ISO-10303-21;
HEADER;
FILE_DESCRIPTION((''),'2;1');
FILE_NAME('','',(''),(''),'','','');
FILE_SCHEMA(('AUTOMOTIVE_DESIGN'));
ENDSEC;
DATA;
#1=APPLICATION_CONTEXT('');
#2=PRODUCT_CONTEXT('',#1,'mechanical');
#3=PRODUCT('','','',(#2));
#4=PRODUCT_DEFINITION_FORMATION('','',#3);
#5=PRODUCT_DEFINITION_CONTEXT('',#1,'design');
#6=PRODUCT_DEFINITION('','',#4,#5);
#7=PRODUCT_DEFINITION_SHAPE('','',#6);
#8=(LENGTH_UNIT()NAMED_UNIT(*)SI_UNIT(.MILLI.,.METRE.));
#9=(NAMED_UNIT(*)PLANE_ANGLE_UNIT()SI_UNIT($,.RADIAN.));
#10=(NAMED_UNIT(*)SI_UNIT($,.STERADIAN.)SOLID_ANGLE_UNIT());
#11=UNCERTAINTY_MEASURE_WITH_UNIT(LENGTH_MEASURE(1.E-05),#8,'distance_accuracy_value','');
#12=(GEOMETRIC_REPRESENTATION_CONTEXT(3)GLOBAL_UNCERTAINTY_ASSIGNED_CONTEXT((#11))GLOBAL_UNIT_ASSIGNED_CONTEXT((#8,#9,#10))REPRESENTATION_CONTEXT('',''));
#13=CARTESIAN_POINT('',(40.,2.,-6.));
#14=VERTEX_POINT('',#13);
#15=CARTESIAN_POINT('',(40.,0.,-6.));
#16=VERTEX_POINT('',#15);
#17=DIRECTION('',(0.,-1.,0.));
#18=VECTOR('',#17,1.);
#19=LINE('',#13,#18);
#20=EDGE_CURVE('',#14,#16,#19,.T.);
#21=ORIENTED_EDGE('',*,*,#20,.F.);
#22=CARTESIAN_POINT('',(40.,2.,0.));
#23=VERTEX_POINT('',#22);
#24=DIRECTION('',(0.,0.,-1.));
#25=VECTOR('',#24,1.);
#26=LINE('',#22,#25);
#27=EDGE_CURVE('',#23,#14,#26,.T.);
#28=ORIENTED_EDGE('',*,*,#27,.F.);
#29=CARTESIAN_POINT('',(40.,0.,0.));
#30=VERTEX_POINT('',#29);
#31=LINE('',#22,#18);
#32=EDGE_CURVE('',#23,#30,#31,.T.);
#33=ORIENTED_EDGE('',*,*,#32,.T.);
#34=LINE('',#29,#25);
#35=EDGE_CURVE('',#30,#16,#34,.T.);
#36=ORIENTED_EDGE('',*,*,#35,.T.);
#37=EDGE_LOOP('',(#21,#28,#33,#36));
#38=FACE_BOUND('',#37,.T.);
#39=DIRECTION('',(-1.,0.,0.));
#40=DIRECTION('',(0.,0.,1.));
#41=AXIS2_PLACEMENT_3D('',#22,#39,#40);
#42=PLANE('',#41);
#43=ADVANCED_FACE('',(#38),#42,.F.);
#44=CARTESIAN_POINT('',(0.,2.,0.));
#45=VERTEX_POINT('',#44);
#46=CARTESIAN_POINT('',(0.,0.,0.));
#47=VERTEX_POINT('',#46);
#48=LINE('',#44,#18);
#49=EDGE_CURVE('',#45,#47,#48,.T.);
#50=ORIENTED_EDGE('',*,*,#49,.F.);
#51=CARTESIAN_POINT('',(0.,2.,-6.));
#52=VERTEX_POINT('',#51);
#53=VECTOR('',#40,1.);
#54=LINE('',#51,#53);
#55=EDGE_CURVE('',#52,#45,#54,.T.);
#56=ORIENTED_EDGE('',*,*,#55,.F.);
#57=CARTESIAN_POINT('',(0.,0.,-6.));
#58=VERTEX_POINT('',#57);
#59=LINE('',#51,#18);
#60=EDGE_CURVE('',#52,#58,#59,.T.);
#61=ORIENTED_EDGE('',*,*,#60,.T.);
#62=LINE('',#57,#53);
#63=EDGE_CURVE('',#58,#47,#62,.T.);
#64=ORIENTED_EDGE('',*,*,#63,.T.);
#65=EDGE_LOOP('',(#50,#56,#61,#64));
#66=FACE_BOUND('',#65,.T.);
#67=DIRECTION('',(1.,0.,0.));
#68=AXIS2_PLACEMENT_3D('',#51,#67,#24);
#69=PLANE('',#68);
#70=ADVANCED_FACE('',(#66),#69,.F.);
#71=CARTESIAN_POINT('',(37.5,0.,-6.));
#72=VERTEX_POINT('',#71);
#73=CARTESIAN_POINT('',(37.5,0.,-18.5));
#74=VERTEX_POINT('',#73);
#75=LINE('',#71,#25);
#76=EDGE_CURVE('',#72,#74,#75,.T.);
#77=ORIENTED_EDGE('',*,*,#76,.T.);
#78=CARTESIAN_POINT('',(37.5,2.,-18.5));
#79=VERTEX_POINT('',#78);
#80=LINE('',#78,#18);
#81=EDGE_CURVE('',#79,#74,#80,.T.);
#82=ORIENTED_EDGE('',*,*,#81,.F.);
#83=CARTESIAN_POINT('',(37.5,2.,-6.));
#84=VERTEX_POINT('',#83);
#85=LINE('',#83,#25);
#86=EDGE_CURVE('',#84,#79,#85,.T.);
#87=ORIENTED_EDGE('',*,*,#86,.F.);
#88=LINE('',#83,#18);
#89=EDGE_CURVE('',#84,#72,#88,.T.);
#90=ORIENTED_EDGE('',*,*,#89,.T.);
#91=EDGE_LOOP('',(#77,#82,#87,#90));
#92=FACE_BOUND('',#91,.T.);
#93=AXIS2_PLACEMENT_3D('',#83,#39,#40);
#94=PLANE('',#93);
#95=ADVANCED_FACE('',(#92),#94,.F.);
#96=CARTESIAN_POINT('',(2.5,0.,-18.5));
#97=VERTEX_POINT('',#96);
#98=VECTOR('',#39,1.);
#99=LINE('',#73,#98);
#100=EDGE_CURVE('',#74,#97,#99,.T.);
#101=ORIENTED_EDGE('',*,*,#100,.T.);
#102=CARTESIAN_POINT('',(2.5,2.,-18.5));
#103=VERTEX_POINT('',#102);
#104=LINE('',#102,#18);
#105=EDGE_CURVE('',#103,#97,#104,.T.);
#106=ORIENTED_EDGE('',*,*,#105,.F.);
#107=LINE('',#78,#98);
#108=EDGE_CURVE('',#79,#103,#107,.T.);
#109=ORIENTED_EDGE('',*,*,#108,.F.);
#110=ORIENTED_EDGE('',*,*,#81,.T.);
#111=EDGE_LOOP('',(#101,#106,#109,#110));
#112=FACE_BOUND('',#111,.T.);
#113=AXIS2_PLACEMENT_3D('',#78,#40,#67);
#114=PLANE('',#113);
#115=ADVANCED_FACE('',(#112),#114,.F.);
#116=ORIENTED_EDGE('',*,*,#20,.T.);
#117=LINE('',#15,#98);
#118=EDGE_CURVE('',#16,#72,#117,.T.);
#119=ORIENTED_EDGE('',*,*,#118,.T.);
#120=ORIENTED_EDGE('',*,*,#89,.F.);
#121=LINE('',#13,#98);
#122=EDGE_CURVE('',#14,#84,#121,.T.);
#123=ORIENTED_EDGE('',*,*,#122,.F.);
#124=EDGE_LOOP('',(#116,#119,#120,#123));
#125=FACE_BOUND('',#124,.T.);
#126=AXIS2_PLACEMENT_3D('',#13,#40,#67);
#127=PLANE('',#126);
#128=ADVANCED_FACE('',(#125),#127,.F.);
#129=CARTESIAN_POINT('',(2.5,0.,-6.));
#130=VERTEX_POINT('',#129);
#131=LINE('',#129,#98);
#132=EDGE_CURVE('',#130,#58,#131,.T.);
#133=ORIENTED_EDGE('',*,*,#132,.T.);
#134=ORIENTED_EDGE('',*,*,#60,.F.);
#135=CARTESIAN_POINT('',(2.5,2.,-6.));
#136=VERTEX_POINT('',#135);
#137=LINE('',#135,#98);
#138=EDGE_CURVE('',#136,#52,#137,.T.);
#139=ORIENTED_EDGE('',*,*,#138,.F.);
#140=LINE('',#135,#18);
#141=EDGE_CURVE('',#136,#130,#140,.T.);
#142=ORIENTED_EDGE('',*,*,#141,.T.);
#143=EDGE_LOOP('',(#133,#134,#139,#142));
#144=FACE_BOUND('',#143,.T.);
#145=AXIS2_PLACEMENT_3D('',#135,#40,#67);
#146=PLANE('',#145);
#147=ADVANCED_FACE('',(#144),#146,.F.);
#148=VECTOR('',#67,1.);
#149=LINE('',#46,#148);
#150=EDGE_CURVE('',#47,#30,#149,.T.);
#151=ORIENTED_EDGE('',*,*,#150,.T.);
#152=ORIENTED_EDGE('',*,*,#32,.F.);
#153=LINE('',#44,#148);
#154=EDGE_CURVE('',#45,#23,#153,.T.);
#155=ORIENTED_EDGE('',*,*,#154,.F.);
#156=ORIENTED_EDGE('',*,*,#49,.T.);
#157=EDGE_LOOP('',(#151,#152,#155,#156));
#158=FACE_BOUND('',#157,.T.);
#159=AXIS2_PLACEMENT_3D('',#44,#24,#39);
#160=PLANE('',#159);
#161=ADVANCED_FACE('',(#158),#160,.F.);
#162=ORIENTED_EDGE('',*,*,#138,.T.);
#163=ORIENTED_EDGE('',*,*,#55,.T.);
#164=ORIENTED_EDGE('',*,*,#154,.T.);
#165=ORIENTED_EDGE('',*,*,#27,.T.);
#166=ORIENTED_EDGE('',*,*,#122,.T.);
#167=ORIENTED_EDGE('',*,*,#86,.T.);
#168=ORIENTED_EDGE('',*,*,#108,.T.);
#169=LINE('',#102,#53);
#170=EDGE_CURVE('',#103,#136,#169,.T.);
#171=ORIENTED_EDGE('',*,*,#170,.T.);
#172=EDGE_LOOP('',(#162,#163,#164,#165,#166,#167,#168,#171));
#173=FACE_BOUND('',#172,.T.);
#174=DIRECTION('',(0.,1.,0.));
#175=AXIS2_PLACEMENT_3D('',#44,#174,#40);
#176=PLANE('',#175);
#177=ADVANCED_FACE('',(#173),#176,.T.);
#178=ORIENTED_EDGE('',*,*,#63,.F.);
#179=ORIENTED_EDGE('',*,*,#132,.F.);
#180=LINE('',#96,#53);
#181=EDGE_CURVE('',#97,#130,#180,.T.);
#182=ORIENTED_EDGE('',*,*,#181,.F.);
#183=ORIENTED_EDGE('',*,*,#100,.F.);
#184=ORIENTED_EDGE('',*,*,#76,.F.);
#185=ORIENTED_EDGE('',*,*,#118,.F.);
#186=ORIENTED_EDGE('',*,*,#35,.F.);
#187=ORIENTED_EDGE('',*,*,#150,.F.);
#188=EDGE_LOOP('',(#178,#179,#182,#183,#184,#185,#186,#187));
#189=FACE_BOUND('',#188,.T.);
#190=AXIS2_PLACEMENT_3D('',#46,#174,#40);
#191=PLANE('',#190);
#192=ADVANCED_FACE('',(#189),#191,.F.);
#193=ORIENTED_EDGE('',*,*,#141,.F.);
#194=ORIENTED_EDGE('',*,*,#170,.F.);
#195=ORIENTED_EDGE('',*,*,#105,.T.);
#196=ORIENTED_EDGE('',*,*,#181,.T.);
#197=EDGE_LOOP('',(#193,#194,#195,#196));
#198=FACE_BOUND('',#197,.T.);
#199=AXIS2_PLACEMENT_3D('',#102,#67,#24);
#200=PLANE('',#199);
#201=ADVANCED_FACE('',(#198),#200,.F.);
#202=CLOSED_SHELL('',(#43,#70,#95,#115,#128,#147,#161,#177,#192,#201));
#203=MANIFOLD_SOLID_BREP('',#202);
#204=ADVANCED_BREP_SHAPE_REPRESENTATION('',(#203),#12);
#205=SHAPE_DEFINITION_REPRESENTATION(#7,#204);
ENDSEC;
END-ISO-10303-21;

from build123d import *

# Parameters (mm, degrees)
BOSS_EXTRUDE2_DEPTH = 2


with BuildPart() as part:
    # Sketch2 → Boss-Extrude2 (new body)
    with BuildSketch(Plane(origin=(0, 0, 0), x_dir=(1, 0, 0), z_dir=(0, 1, 0))):
        Polygon((0, 0), (40, 0), (40, 6), (37.5, 6), (37.5, 18.5), (2.5, 18.5), (2.5, 6), (0, 6), align=None)
    extrude(amount=BOSS_EXTRUDE2_DEPTH)


solid = part.part
